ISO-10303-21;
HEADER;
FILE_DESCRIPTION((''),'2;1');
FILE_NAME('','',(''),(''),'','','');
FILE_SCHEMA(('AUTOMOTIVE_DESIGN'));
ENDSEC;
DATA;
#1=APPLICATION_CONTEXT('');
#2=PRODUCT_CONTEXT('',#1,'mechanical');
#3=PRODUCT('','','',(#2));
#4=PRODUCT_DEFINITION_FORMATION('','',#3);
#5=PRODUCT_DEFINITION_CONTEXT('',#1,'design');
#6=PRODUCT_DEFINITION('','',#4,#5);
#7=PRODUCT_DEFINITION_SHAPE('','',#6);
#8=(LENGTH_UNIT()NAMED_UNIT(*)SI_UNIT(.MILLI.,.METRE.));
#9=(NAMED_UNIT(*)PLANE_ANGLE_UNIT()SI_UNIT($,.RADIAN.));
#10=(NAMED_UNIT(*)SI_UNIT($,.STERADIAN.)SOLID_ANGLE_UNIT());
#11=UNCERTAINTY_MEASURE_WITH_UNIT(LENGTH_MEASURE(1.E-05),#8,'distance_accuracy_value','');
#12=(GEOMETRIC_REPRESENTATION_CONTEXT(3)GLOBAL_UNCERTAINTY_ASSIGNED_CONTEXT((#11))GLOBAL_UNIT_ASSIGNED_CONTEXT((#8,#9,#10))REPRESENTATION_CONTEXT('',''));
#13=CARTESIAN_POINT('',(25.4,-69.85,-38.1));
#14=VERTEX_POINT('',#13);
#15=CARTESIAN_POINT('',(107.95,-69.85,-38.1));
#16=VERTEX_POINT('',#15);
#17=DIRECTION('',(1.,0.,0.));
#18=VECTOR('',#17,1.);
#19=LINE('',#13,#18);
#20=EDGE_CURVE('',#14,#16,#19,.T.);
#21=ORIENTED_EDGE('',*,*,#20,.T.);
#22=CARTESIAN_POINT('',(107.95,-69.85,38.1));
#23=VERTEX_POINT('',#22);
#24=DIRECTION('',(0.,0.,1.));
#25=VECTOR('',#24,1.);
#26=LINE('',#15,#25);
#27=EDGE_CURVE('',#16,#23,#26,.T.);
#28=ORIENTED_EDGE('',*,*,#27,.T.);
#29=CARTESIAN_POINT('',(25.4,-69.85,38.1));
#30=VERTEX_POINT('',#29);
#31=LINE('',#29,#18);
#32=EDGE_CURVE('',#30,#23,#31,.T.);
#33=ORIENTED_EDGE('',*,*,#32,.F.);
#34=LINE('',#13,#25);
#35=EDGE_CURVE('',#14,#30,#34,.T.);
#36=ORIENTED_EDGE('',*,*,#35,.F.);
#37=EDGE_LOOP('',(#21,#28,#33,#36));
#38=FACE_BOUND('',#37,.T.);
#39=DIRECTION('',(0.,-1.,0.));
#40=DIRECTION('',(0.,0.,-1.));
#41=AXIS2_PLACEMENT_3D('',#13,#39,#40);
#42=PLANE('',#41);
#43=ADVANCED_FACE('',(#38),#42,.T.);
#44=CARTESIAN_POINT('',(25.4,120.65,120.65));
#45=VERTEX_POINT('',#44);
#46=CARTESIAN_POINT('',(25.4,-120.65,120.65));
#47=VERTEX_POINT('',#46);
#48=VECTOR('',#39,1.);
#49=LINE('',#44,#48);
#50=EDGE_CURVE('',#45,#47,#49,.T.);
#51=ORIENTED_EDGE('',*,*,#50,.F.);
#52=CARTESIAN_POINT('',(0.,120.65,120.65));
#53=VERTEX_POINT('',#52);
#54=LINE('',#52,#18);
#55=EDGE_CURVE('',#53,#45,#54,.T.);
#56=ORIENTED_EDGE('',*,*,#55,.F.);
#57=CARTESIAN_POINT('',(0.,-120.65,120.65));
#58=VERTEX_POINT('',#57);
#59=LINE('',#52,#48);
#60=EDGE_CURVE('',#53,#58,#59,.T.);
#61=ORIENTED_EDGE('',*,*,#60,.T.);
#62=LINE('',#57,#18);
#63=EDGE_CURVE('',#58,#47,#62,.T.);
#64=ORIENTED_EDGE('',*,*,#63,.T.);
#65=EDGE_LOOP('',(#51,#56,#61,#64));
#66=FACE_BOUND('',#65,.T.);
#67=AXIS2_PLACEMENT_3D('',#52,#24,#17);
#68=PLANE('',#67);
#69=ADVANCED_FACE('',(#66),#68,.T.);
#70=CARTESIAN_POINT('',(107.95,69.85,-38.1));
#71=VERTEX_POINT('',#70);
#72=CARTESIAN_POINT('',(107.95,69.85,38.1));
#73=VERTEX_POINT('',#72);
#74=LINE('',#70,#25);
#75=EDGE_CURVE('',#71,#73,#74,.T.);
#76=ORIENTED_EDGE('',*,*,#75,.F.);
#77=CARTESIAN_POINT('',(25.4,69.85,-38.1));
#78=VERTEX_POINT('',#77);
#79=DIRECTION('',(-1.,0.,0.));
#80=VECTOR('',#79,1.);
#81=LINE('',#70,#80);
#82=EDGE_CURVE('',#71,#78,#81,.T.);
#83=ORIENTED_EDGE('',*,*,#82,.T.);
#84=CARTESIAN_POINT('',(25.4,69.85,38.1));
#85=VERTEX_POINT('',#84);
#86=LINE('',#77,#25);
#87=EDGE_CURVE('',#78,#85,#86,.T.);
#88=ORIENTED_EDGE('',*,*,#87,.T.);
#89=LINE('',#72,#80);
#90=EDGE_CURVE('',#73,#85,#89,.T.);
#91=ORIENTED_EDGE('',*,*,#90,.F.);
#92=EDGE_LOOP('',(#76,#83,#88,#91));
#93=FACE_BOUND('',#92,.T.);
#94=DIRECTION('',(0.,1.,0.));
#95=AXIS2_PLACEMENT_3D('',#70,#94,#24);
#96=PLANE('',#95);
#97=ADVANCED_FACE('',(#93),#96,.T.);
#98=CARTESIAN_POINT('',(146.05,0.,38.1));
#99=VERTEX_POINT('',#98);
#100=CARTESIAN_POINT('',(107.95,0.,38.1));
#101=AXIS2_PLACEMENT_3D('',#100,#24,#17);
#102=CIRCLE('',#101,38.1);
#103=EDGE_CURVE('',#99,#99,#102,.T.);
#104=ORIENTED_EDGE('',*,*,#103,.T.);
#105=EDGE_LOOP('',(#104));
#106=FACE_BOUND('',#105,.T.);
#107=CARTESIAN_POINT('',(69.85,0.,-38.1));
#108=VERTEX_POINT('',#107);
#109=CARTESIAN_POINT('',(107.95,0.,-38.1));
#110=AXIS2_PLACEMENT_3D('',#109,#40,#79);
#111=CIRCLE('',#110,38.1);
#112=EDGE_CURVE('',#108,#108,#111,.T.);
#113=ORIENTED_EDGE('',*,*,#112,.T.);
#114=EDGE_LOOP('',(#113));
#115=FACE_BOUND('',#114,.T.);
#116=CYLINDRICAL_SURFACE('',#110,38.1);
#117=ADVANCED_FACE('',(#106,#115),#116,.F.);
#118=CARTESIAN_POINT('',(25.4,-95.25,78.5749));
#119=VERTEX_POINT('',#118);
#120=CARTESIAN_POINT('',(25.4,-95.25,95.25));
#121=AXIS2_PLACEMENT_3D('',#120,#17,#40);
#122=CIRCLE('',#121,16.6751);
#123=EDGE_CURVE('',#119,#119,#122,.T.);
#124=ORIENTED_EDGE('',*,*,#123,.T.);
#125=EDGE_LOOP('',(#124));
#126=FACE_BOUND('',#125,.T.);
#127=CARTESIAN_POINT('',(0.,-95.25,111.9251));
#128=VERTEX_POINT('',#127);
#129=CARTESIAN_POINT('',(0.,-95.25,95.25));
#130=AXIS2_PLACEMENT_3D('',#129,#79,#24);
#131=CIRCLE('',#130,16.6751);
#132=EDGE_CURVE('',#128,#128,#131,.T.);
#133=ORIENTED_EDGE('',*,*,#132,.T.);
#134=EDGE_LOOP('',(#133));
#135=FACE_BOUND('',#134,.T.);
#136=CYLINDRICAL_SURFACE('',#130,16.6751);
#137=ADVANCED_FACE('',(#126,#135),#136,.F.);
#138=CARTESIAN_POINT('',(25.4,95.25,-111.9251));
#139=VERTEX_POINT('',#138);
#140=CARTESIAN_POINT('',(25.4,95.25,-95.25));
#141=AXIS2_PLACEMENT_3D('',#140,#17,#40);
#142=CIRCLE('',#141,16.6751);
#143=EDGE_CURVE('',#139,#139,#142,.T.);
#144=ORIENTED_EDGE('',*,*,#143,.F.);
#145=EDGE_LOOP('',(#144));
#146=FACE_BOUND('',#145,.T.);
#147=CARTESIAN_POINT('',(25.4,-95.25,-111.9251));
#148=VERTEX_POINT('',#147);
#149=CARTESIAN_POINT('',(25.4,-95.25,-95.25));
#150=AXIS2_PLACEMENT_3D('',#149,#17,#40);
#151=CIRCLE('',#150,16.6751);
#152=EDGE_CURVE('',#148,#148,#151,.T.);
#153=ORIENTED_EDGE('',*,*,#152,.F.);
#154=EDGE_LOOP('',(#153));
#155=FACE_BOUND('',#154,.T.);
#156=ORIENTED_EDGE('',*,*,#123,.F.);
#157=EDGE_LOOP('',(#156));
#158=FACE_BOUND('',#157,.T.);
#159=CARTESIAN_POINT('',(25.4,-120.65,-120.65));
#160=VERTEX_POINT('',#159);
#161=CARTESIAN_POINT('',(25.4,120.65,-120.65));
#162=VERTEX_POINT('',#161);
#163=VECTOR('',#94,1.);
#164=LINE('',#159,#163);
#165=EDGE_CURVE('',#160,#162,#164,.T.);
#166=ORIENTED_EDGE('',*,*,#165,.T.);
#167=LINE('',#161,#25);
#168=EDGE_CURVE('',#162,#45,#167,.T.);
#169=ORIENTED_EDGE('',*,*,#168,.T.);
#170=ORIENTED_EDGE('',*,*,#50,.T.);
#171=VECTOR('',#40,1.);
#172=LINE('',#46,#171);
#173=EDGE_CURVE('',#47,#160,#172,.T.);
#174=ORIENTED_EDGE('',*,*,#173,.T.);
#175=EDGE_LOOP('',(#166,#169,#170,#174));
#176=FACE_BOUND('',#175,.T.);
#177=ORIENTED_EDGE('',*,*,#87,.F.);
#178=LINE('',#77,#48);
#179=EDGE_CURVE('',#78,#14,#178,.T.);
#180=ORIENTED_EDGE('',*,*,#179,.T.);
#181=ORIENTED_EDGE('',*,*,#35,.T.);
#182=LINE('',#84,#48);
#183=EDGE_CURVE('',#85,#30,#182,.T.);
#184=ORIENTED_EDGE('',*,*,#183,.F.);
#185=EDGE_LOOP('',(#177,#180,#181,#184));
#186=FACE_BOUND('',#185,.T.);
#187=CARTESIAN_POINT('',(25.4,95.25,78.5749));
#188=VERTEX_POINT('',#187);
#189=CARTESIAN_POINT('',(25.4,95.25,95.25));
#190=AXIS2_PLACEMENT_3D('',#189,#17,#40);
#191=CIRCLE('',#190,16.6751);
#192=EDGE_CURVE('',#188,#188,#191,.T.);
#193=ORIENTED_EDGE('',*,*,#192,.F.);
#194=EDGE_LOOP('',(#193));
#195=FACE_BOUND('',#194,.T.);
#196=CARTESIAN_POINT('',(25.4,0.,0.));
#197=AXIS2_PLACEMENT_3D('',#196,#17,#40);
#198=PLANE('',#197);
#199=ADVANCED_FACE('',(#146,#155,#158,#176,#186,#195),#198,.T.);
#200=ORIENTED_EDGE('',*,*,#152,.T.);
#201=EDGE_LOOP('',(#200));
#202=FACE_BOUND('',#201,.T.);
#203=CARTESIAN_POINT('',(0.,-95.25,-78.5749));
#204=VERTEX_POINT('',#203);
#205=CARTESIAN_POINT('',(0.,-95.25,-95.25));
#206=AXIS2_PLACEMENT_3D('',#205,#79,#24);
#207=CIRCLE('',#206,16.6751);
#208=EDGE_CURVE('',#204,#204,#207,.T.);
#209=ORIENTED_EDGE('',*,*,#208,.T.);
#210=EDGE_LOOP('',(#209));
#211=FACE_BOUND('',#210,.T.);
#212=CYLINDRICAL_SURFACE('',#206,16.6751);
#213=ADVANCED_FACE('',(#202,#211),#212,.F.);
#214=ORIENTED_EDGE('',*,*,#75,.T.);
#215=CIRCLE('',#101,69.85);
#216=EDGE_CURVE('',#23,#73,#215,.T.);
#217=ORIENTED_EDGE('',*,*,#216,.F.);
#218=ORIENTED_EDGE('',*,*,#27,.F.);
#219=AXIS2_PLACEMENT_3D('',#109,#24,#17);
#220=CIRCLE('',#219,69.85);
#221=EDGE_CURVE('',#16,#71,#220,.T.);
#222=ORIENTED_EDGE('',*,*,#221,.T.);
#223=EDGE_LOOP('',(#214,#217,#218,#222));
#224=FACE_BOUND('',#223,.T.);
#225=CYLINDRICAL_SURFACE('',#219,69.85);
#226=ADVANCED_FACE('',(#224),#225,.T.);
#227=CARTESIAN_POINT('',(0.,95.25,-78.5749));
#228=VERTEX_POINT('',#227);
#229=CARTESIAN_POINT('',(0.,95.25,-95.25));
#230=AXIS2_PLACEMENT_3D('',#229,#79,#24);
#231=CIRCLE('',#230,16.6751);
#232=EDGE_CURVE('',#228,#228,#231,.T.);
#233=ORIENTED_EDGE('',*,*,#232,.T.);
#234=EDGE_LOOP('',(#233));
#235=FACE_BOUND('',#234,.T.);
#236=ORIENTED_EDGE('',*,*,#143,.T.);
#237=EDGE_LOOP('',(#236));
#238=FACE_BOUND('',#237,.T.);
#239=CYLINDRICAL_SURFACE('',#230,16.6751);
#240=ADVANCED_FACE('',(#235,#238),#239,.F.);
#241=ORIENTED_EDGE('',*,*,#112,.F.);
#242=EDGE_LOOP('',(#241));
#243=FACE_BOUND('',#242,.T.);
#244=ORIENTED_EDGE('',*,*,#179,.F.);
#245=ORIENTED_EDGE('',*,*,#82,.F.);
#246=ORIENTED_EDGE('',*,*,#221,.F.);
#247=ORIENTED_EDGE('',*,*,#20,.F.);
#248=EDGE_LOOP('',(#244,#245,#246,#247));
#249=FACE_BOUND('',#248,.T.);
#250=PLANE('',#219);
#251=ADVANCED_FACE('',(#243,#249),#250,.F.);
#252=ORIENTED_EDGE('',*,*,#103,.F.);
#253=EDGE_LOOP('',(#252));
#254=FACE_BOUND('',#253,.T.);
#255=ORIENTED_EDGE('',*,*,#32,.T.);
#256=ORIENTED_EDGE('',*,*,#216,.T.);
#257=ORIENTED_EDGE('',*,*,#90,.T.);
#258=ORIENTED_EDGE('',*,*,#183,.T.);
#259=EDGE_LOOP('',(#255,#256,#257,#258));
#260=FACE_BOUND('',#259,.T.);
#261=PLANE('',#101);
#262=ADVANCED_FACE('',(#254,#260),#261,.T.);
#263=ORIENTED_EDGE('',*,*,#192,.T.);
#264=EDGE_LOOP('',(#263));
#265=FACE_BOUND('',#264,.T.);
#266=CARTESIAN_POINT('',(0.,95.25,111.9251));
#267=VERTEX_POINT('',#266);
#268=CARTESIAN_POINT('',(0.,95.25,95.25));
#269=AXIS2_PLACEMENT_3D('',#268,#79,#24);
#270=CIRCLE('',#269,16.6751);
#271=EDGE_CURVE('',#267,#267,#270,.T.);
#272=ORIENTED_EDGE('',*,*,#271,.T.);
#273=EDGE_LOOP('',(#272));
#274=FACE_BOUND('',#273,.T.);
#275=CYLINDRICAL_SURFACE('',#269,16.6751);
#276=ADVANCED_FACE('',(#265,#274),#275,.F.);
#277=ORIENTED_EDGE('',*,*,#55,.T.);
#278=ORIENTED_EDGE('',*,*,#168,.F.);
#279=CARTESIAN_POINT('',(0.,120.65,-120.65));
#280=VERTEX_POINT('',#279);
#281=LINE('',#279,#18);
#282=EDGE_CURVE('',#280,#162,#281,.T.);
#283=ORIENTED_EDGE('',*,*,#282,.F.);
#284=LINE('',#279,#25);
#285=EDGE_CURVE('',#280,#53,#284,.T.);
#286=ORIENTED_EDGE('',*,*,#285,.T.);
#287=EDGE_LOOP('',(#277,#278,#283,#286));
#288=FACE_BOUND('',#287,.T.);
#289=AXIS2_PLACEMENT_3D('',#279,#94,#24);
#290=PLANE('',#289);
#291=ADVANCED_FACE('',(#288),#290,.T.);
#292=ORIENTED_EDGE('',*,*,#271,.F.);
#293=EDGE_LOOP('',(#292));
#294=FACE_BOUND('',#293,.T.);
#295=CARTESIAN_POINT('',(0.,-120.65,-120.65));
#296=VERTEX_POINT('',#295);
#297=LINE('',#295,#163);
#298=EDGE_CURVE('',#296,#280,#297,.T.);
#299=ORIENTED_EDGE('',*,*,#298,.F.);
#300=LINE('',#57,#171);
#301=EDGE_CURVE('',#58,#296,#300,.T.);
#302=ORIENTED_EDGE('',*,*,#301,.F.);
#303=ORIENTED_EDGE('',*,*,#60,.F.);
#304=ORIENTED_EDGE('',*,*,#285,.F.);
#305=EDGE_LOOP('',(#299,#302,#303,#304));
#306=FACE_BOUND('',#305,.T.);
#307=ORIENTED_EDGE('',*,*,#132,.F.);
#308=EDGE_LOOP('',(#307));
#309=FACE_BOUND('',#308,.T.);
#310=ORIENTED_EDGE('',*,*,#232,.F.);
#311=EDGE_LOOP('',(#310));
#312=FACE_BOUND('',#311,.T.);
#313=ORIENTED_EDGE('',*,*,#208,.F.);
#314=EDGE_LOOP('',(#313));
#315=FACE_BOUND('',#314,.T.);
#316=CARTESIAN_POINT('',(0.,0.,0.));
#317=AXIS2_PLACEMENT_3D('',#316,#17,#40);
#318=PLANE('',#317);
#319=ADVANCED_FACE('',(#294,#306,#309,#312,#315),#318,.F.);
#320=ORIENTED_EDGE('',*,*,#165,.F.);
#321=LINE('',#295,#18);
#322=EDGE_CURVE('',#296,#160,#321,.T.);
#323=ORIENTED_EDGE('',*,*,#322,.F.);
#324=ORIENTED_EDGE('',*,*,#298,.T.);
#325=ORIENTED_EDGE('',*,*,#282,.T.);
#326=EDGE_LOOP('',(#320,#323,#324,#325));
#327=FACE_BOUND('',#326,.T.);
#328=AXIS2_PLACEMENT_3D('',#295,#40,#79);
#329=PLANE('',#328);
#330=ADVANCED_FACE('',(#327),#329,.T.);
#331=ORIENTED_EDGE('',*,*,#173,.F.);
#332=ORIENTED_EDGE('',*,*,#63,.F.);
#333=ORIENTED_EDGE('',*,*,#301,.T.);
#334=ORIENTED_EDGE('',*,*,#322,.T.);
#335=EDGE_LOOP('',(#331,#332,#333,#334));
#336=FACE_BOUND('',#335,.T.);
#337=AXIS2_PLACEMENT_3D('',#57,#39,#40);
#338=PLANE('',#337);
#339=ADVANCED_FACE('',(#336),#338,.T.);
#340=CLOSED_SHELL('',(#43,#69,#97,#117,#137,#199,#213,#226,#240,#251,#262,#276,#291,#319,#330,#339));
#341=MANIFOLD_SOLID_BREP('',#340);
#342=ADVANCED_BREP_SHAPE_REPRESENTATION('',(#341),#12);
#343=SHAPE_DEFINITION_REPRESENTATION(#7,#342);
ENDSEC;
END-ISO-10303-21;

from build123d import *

# Parameters (mm, degrees)
SKETCH1_W           = 241.3
SKETCH1_H           = 241.3
BOSS_EXTRUDE1_DEPTH = 25.4
BOSS_EXTRUDE2_DEPTH = 76.2
HOLE1_D             = 76.2
HOLE1_DEPTH         = 158.75
HOLE2_D             = 33.3502
HOLE2_DEPTH         = 177.8


with BuildPart() as part:
    # Sketch1 → Boss-Extrude1 (new body)
    with BuildSketch(Plane(origin=(25.4, 0, 0), x_dir=(0, 0, -1), z_dir=(1, 0, 0))):
        Rectangle(SKETCH1_W, SKETCH1_H)
    extrude(amount=-BOSS_EXTRUDE1_DEPTH)

    # Sketch2 → Boss-Extrude2 (add)
    with BuildSketch(Plane.XY.offset(38.1)):
        with BuildLine():
            Line((25.4, 69.85), (25.4, -69.85))
            Line((25.4, -69.85), (107.95, -69.85))
            ThreePointArc((107.95, -69.85), (177.8, 0), (107.95, 69.85))
            Line((107.95, 69.85), (25.4, 69.85))
        make_face()
    extrude(amount=-BOSS_EXTRUDE2_DEPTH)

    # Hole1
    with Locations(Plane(origin=(0, 0, -38.1), x_dir=(-1, 0, 0), z_dir=(0, 0, -1))):
        with Locations((-107.95, 0)):
            Hole(HOLE1_D / 2, depth=HOLE1_DEPTH)

    # Hole2
    with Locations(Plane.ZY):
        with Locations((-95.25, -95.25), (-95.25, 95.25), (95.25, -95.25), (95.25, 95.25)):
            Hole(HOLE2_D / 2, depth=HOLE2_DEPTH)


solid = part.part
